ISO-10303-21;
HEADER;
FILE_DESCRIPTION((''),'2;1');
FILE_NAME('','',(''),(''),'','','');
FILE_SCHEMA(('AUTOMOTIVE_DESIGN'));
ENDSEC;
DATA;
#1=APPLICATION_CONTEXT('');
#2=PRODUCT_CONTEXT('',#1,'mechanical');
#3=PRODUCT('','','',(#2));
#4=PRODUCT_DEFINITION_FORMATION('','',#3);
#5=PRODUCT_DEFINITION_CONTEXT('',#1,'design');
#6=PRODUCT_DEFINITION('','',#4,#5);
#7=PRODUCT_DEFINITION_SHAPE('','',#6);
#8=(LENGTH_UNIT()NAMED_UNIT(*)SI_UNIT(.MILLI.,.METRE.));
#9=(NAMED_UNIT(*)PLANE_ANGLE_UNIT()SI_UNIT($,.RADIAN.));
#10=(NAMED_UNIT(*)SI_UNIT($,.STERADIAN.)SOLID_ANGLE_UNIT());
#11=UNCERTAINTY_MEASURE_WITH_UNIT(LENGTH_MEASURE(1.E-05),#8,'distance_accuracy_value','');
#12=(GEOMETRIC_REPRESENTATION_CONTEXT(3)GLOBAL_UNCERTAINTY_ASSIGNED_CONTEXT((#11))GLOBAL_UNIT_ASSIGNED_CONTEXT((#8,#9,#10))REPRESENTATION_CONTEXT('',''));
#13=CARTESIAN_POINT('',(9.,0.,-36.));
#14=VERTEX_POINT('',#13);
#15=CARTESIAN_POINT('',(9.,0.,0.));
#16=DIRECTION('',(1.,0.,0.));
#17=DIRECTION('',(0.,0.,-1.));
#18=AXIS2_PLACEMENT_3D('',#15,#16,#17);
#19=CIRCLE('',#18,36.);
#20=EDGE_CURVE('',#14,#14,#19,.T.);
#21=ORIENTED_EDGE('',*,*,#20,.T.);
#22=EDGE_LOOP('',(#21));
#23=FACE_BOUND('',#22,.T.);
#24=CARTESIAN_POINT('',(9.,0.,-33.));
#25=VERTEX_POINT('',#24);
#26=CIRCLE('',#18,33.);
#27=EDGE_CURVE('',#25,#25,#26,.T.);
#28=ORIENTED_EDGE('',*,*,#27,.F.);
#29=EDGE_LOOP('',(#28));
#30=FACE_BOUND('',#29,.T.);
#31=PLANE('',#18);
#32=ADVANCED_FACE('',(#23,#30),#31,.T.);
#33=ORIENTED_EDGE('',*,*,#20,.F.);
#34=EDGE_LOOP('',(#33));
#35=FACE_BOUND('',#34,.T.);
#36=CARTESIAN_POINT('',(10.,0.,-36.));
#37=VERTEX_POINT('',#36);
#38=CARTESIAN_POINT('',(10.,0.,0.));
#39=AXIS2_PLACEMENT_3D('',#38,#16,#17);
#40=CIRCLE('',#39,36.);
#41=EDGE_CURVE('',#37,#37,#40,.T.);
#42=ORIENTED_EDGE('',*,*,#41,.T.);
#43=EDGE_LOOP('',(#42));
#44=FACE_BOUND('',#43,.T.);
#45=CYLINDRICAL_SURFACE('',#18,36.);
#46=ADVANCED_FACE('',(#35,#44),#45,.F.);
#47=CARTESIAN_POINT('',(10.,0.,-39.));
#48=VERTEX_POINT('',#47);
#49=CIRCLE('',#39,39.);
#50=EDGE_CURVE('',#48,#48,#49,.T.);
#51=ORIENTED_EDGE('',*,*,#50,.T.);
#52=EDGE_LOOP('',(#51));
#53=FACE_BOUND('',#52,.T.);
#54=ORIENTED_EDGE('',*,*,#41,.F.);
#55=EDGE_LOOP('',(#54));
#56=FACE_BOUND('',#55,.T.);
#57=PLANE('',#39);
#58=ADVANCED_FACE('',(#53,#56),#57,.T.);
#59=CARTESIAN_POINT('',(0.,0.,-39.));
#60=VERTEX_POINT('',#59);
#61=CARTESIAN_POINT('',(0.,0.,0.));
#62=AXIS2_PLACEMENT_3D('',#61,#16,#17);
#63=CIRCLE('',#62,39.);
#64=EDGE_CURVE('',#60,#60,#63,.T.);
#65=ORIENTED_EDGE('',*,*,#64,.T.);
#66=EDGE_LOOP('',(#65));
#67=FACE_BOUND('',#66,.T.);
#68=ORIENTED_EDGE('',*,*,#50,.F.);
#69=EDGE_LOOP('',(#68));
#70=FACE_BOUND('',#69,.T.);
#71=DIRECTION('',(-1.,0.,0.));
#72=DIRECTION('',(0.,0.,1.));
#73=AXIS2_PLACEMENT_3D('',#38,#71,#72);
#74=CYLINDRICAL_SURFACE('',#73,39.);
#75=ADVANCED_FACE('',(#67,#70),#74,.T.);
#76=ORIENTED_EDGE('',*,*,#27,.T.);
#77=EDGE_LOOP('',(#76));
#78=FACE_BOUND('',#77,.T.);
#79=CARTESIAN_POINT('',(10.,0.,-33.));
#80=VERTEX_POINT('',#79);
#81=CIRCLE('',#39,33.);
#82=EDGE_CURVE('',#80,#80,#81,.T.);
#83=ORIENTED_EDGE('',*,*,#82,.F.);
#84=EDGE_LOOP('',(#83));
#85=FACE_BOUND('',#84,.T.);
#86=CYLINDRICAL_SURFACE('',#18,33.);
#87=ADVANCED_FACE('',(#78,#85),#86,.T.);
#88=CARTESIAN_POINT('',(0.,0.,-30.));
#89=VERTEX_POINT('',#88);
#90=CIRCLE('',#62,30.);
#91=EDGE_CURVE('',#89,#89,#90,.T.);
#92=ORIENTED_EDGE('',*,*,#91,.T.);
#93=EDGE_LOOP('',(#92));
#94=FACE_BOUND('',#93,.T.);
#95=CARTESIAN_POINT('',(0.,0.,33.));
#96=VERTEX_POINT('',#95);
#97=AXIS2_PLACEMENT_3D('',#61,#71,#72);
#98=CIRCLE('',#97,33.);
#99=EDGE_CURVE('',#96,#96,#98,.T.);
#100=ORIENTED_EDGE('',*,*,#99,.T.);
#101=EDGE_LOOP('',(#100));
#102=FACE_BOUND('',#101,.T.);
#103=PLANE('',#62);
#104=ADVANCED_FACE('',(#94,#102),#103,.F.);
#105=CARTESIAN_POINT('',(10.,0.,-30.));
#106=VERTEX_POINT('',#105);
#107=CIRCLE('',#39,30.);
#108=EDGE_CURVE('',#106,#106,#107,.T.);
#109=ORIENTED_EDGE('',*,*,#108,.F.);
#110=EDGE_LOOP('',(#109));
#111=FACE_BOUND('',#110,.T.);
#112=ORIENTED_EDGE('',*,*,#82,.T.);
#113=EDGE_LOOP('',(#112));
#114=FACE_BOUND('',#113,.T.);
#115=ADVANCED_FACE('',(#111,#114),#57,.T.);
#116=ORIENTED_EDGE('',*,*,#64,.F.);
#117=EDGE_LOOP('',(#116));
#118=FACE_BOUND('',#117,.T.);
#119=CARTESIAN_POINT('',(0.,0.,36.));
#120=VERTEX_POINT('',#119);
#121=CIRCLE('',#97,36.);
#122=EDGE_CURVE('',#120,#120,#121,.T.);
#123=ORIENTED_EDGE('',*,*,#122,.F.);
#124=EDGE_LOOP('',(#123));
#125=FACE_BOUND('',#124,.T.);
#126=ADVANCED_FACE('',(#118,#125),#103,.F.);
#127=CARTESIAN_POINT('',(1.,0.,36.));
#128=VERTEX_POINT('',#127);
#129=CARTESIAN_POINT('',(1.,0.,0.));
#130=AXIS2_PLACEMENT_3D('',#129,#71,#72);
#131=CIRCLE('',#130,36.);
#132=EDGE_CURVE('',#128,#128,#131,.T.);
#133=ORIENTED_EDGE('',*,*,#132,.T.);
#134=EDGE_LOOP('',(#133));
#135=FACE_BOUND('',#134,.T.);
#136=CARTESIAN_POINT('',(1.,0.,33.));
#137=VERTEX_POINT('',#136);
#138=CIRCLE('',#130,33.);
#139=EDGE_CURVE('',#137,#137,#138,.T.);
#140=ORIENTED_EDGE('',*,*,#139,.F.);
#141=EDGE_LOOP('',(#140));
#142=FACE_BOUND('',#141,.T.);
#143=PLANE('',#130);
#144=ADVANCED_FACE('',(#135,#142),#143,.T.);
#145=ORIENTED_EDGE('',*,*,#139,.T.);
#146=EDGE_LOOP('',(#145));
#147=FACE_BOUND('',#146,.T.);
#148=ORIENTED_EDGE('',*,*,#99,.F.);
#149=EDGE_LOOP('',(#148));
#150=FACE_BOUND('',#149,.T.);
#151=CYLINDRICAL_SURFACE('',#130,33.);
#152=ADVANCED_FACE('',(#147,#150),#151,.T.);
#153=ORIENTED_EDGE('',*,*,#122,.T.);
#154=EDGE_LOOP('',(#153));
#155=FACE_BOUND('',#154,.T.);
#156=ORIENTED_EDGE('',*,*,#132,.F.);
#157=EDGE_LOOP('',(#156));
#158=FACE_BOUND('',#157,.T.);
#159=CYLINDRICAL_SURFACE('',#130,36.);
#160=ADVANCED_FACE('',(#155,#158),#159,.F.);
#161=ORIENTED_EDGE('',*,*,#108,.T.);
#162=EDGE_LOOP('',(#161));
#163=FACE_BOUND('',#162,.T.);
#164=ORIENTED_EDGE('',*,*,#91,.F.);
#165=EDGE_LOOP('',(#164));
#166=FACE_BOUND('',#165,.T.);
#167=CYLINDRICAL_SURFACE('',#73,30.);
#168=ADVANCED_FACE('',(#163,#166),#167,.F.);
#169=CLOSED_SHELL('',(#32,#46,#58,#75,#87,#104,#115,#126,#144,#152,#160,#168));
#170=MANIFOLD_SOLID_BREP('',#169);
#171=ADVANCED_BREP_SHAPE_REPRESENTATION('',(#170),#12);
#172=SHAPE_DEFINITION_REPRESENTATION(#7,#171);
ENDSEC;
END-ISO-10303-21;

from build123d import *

# Parameters (mm, degrees)
SKETCH_1_R          = 39
SKETCH_1_R_2        = 30
EXTRUDE_1_DEPTH     = 10
SKETCH_2_R          = 36
SKETCH_2_R_2        = 33
CUT_EXTRUDE_1_DEPTH = 1
CUT_EXTRUDE_START   = -1
SKETCH_3_R          = 36
SKETCH_3_R_2        = 33
CUT_EXTRUDE_2_DEPTH = 1


with BuildPart() as part:
    # 草图1 → 凸台-拉伸1 (new body)
    with BuildSketch(Plane(origin=(0, 0, 0), x_dir=(0, 0, -1), z_dir=(1, 0, 0))):
        Circle(SKETCH_1_R)
        Circle(SKETCH_1_R_2, mode=Mode.SUBTRACT)
    extrude(amount=EXTRUDE_1_DEPTH)

    # 草图2 → 切除-拉伸1 (cut)
    with BuildSketch(Plane(origin=(10, 0, 0), x_dir=(0, 0, -1), z_dir=(1, 0, 0))):
        Circle(SKETCH_2_R)
        Circle(SKETCH_2_R_2, mode=Mode.SUBTRACT)
    extrude(amount=-CUT_EXTRUDE_1_DEPTH, mode=Mode.SUBTRACT)

    # 草图3 → 切除-拉伸2 (cut)
    with BuildSketch(Plane.ZY.offset(CUT_EXTRUDE_START)):
        with Locations(Location((0, 0, 0), (0, 0, 180))):
            Circle(SKETCH_3_R)
        with Locations(Location((0, 0, 0), (0, 0, 180))):
            Circle(SKETCH_3_R_2, mode=Mode.SUBTRACT)
    extrude(amount=CUT_EXTRUDE_2_DEPTH, mode=Mode.SUBTRACT)


solid = part.part
